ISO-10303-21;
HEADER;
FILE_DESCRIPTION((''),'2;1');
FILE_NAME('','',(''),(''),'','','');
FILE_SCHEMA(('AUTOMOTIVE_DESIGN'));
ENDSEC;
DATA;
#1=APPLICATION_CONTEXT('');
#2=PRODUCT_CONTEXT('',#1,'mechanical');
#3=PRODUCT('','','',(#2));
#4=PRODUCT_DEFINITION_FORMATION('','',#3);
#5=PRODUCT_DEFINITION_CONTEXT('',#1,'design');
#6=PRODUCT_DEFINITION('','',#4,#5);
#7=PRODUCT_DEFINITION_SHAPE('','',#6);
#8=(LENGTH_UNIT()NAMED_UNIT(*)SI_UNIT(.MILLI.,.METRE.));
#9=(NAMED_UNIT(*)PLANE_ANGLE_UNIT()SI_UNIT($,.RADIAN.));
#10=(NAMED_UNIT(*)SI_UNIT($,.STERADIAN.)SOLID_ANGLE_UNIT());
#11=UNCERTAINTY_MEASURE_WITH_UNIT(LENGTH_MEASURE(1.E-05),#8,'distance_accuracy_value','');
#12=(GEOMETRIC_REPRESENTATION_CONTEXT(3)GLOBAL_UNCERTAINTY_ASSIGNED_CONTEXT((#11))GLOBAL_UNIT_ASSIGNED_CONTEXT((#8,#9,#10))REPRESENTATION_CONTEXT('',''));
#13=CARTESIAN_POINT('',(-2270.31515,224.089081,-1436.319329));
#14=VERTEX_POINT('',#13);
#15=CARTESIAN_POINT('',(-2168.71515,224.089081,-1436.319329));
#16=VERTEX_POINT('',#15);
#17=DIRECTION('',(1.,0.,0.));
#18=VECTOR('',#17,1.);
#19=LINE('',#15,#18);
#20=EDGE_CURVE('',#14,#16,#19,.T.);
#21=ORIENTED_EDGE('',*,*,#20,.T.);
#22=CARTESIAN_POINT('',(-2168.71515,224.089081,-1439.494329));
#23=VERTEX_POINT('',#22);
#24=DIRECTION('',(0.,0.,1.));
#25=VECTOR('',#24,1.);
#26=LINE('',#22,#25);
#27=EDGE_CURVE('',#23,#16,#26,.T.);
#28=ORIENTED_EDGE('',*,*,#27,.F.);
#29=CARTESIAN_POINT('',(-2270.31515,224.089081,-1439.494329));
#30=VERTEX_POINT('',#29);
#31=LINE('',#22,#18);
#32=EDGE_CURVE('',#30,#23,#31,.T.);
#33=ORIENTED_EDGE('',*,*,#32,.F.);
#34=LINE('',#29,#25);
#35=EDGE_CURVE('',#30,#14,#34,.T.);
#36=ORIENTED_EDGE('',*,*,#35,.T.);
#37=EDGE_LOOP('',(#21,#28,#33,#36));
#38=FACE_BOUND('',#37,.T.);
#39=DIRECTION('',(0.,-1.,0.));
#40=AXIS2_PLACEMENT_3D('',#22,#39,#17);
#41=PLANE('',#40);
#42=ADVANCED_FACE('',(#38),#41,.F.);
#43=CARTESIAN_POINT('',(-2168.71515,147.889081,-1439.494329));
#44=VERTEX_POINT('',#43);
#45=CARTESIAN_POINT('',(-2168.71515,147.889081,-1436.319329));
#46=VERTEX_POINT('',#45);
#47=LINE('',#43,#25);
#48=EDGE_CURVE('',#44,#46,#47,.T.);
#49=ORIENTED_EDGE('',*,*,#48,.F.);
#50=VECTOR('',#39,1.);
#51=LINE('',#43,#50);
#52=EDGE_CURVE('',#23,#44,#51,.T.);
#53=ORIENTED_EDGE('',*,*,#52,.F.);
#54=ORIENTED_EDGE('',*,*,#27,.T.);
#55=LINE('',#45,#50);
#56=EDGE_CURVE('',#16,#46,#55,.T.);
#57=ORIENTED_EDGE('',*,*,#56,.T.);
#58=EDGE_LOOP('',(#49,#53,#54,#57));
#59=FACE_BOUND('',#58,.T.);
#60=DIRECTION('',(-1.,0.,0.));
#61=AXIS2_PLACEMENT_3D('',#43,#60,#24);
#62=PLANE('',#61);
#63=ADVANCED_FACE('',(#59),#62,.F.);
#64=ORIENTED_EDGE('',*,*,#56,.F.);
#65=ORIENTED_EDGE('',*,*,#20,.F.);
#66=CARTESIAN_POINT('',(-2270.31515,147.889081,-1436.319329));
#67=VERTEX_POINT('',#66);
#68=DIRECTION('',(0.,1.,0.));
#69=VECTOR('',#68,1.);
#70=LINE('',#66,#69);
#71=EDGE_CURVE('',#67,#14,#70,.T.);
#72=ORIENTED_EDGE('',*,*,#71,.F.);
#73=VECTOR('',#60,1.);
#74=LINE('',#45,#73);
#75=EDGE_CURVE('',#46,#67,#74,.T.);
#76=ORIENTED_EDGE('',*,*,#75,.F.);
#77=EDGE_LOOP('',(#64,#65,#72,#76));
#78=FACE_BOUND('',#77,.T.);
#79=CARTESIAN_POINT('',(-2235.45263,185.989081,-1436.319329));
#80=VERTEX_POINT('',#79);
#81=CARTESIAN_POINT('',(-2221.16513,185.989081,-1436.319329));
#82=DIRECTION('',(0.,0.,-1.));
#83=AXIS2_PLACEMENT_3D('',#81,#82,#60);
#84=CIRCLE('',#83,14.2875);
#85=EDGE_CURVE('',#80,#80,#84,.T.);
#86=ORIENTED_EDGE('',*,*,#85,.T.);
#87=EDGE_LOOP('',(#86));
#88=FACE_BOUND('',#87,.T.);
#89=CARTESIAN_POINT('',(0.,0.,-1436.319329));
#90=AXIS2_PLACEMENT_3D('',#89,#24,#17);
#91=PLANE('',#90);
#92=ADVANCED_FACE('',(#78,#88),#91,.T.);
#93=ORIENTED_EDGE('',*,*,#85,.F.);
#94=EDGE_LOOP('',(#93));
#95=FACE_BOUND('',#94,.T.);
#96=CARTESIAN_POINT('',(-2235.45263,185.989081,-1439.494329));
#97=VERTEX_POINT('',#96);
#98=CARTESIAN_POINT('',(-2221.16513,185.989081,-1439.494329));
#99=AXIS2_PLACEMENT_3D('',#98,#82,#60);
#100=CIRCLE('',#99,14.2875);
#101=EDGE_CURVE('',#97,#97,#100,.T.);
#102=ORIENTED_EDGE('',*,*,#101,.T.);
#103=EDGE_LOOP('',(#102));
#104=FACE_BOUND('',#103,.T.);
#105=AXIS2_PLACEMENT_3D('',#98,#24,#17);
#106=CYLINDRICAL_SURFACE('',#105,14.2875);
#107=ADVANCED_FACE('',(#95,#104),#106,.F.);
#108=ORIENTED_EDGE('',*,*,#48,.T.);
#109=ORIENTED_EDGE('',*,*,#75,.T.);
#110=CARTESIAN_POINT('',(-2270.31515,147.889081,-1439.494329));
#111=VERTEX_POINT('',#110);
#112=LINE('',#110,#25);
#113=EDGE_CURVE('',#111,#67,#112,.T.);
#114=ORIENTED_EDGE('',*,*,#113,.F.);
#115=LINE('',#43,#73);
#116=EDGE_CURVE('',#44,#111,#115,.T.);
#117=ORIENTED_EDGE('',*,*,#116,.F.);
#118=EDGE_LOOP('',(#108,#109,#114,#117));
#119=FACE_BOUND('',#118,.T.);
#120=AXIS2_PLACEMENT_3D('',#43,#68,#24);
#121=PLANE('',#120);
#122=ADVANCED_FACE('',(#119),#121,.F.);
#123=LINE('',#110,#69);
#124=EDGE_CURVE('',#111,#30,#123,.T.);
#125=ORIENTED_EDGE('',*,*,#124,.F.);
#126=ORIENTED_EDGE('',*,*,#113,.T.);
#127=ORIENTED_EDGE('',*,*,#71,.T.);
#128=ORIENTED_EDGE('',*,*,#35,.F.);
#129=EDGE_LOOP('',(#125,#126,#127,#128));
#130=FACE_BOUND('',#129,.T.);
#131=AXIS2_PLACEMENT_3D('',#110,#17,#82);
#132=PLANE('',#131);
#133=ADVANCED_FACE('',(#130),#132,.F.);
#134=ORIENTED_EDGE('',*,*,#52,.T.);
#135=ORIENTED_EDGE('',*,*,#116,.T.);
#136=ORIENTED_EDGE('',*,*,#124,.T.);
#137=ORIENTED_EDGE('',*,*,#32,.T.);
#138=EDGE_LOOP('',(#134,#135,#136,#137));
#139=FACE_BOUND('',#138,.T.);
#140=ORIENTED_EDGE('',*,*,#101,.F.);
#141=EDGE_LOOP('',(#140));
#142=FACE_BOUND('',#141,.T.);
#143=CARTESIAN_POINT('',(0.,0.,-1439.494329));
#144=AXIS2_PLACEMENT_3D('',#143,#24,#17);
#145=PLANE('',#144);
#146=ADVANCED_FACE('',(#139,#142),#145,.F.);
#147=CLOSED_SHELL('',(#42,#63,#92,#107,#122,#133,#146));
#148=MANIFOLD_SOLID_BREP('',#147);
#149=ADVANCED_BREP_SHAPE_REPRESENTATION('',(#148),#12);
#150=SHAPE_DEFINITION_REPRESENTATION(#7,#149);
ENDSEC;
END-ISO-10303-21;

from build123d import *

# Parameters (mm, degrees)
SKETCH4_W           = 101.6
SKETCH4_H           = 76.2
SKETCH4_R           = 14.2875
BOSS_EXTRUDE1_DEPTH = 3.175


with BuildPart() as part:
    # Sketch4 → Boss-Extrude1 (new body)
    with BuildSketch(Plane(origin=(0, 0, -1436.319329267), x_dir=(-1, 0, 0), z_dir=(0, 0, -1))):
        with Locations((2219.515150098, 185.98908075)):
            Rectangle(SKETCH4_W, SKETCH4_H)
        with Locations((2221.165130355, 185.98908075)):
            Circle(SKETCH4_R, mode=Mode.SUBTRACT)
    extrude(amount=BOSS_EXTRUDE1_DEPTH)


solid = part.part
